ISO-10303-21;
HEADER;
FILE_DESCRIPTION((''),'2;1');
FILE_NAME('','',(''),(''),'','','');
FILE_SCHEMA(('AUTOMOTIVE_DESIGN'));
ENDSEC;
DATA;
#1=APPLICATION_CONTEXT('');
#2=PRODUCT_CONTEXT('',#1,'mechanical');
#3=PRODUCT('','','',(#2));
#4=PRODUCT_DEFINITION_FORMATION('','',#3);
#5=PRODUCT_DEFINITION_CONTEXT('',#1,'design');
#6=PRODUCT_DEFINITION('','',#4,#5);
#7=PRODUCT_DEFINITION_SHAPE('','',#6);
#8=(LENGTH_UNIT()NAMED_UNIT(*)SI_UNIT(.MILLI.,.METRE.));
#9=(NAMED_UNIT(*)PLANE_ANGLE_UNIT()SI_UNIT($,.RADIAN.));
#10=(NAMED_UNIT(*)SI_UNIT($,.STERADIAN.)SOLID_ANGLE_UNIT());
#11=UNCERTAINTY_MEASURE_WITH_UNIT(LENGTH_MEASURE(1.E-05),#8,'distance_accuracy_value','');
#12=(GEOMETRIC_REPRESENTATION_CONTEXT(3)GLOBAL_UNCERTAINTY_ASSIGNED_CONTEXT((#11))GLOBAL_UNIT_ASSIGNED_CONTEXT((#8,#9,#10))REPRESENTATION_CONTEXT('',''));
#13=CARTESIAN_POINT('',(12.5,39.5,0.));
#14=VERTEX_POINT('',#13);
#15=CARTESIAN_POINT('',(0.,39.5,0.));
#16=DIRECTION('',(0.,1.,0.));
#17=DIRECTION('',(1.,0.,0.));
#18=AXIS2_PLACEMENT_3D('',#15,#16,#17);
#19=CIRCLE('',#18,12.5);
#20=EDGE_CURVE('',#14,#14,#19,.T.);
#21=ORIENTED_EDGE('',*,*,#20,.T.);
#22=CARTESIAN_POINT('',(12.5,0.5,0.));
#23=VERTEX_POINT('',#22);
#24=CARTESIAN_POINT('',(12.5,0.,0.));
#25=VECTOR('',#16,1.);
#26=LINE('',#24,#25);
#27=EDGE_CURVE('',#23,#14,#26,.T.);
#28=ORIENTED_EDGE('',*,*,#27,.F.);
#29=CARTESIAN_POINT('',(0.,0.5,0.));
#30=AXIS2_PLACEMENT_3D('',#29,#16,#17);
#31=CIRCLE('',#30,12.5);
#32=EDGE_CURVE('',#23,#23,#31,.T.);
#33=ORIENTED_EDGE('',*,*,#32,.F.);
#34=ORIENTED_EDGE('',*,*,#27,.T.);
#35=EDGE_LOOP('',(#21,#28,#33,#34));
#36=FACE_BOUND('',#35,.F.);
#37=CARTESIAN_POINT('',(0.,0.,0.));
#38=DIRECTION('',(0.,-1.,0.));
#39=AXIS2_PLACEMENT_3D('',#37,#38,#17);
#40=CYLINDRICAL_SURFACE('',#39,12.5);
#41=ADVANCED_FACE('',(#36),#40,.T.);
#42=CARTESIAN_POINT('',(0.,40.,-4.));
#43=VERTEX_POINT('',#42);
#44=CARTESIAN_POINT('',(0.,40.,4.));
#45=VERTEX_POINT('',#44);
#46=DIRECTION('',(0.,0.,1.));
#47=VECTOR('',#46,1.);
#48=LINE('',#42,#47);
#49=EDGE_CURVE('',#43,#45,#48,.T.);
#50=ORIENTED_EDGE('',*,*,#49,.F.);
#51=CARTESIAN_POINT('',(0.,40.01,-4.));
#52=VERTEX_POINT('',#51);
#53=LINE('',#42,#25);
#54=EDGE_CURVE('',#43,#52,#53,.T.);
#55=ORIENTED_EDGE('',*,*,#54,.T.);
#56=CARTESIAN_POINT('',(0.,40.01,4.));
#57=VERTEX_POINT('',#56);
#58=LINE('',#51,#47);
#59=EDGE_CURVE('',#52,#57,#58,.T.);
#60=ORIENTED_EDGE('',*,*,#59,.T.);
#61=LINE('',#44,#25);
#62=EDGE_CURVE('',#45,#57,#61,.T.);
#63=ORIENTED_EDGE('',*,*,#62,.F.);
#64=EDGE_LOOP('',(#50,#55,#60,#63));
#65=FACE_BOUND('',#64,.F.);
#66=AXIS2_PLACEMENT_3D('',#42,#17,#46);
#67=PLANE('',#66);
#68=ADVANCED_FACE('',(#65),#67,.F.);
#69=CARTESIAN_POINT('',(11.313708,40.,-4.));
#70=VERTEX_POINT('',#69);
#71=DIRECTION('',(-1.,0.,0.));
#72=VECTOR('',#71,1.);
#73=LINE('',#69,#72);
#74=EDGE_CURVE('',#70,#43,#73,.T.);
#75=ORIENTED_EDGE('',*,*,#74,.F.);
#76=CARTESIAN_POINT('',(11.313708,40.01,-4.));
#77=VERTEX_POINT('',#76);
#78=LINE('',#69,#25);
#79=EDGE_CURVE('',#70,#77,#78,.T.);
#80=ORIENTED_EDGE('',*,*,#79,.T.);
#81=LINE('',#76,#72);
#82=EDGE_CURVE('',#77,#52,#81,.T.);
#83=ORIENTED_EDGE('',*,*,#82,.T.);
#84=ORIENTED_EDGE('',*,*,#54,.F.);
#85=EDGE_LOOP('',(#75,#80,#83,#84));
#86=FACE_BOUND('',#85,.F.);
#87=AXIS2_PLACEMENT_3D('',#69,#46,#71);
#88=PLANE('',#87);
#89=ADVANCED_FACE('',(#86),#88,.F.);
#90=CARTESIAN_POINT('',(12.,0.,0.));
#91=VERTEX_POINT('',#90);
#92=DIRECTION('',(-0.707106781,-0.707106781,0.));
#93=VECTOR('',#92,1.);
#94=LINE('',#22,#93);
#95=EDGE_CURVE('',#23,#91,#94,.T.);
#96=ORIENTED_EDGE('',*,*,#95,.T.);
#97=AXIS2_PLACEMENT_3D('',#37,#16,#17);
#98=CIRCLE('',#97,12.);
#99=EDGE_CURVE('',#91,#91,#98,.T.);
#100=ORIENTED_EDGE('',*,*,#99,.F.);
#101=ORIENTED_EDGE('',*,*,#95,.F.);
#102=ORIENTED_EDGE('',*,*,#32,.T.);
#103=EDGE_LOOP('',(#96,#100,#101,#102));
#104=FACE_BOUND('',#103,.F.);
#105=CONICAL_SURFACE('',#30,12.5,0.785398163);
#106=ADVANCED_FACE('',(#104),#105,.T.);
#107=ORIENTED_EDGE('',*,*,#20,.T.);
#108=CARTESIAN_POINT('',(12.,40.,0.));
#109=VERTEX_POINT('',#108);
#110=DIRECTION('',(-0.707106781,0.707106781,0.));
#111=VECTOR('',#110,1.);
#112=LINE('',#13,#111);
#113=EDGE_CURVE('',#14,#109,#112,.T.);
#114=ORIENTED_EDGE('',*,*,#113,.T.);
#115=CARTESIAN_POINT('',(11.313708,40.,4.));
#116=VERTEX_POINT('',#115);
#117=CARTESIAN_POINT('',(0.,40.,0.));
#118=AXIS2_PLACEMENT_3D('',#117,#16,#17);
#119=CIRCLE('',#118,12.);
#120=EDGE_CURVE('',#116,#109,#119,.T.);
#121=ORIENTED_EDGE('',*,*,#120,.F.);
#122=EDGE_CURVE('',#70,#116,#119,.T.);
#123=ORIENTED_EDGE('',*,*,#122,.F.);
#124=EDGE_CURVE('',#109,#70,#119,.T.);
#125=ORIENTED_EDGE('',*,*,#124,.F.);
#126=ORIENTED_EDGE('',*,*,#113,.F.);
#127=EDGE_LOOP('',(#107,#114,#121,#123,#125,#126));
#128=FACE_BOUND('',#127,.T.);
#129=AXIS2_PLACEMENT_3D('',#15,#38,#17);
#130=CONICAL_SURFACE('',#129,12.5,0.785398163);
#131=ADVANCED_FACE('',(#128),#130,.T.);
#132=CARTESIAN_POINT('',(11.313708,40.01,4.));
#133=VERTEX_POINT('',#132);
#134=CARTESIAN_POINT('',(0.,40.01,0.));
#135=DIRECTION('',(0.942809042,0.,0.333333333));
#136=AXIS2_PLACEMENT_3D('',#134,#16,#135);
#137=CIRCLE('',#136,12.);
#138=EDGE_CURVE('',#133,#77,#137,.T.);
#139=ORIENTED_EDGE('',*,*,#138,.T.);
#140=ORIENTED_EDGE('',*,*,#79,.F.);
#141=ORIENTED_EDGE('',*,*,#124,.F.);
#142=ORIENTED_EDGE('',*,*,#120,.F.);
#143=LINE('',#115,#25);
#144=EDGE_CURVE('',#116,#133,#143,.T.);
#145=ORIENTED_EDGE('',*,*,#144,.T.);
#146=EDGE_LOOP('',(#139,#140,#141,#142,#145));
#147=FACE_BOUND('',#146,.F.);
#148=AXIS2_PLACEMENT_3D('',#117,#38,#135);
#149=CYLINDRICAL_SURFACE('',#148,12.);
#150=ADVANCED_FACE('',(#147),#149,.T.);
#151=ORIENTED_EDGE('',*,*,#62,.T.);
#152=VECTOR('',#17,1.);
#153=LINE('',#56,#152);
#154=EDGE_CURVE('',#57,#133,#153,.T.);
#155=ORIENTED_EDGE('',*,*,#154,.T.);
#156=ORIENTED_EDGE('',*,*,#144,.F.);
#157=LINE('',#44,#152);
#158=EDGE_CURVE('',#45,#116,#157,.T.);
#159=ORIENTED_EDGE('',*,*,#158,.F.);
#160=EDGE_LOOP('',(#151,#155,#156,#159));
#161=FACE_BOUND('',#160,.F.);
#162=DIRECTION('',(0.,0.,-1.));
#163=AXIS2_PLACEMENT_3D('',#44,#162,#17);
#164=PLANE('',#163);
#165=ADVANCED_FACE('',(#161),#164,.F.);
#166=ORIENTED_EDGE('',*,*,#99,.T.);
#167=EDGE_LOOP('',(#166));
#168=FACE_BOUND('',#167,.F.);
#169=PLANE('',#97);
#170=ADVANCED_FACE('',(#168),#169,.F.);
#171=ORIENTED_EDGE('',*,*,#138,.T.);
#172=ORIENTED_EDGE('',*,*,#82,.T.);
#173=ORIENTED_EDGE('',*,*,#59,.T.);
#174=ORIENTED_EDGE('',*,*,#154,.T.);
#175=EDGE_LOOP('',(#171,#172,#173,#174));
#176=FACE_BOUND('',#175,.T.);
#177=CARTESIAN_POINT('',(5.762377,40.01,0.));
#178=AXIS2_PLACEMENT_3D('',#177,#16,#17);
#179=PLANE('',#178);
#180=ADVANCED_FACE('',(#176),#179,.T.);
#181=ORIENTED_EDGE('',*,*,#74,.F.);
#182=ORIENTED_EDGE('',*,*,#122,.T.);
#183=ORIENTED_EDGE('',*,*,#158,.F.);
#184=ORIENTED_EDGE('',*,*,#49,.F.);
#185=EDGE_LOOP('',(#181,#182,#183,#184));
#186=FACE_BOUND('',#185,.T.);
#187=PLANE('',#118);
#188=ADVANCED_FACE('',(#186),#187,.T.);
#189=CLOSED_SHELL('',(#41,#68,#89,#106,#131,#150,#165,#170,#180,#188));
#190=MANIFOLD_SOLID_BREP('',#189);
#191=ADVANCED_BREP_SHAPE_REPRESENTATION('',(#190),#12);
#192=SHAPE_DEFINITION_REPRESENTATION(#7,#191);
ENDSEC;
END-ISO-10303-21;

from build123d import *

# Parameters (mm, degrees)
SKETCH1_R           = 12.5
BOSS_EXTRUDE1_DEPTH = 40
CHAMFER1_SIZE       = 0.5
BOSS_EXTRUDE2_DEPTH = 0.01


with BuildPart() as part:
    # Sketch1 → Boss-Extrude1 (new body)
    with BuildSketch(Plane(origin=(0, 0, 0), x_dir=(1, 0, 0), z_dir=(0, 1, 0))):
        Circle(SKETCH1_R)
    extrude(amount=BOSS_EXTRUDE1_DEPTH)

    # Chamfer1
    chamfer1_edges = [part.edges().sort_by_distance(p)[0] for p in [
        (-12.5, 0, 0),
        (-12.5, 40, 0),
    ]]
    chamfer(chamfer1_edges, length=CHAMFER1_SIZE)

    # Sketch2 → Boss-Extrude2 (add)
    with BuildSketch(Plane(origin=(0, 40, 0), x_dir=(1, 0, 0), z_dir=(0, 1, 0))):
        with BuildLine():
            Line((11.313708499, 4), (0, 4))
            Line((0, 4), (0, -4))
            Line((0, -4), (11.313708499, -4))
            ThreePointArc((11.313708499, -4), (12, 0), (11.313708499, 4))
        make_face()
    extrude(amount=BOSS_EXTRUDE2_DEPTH)


solid = part.part
